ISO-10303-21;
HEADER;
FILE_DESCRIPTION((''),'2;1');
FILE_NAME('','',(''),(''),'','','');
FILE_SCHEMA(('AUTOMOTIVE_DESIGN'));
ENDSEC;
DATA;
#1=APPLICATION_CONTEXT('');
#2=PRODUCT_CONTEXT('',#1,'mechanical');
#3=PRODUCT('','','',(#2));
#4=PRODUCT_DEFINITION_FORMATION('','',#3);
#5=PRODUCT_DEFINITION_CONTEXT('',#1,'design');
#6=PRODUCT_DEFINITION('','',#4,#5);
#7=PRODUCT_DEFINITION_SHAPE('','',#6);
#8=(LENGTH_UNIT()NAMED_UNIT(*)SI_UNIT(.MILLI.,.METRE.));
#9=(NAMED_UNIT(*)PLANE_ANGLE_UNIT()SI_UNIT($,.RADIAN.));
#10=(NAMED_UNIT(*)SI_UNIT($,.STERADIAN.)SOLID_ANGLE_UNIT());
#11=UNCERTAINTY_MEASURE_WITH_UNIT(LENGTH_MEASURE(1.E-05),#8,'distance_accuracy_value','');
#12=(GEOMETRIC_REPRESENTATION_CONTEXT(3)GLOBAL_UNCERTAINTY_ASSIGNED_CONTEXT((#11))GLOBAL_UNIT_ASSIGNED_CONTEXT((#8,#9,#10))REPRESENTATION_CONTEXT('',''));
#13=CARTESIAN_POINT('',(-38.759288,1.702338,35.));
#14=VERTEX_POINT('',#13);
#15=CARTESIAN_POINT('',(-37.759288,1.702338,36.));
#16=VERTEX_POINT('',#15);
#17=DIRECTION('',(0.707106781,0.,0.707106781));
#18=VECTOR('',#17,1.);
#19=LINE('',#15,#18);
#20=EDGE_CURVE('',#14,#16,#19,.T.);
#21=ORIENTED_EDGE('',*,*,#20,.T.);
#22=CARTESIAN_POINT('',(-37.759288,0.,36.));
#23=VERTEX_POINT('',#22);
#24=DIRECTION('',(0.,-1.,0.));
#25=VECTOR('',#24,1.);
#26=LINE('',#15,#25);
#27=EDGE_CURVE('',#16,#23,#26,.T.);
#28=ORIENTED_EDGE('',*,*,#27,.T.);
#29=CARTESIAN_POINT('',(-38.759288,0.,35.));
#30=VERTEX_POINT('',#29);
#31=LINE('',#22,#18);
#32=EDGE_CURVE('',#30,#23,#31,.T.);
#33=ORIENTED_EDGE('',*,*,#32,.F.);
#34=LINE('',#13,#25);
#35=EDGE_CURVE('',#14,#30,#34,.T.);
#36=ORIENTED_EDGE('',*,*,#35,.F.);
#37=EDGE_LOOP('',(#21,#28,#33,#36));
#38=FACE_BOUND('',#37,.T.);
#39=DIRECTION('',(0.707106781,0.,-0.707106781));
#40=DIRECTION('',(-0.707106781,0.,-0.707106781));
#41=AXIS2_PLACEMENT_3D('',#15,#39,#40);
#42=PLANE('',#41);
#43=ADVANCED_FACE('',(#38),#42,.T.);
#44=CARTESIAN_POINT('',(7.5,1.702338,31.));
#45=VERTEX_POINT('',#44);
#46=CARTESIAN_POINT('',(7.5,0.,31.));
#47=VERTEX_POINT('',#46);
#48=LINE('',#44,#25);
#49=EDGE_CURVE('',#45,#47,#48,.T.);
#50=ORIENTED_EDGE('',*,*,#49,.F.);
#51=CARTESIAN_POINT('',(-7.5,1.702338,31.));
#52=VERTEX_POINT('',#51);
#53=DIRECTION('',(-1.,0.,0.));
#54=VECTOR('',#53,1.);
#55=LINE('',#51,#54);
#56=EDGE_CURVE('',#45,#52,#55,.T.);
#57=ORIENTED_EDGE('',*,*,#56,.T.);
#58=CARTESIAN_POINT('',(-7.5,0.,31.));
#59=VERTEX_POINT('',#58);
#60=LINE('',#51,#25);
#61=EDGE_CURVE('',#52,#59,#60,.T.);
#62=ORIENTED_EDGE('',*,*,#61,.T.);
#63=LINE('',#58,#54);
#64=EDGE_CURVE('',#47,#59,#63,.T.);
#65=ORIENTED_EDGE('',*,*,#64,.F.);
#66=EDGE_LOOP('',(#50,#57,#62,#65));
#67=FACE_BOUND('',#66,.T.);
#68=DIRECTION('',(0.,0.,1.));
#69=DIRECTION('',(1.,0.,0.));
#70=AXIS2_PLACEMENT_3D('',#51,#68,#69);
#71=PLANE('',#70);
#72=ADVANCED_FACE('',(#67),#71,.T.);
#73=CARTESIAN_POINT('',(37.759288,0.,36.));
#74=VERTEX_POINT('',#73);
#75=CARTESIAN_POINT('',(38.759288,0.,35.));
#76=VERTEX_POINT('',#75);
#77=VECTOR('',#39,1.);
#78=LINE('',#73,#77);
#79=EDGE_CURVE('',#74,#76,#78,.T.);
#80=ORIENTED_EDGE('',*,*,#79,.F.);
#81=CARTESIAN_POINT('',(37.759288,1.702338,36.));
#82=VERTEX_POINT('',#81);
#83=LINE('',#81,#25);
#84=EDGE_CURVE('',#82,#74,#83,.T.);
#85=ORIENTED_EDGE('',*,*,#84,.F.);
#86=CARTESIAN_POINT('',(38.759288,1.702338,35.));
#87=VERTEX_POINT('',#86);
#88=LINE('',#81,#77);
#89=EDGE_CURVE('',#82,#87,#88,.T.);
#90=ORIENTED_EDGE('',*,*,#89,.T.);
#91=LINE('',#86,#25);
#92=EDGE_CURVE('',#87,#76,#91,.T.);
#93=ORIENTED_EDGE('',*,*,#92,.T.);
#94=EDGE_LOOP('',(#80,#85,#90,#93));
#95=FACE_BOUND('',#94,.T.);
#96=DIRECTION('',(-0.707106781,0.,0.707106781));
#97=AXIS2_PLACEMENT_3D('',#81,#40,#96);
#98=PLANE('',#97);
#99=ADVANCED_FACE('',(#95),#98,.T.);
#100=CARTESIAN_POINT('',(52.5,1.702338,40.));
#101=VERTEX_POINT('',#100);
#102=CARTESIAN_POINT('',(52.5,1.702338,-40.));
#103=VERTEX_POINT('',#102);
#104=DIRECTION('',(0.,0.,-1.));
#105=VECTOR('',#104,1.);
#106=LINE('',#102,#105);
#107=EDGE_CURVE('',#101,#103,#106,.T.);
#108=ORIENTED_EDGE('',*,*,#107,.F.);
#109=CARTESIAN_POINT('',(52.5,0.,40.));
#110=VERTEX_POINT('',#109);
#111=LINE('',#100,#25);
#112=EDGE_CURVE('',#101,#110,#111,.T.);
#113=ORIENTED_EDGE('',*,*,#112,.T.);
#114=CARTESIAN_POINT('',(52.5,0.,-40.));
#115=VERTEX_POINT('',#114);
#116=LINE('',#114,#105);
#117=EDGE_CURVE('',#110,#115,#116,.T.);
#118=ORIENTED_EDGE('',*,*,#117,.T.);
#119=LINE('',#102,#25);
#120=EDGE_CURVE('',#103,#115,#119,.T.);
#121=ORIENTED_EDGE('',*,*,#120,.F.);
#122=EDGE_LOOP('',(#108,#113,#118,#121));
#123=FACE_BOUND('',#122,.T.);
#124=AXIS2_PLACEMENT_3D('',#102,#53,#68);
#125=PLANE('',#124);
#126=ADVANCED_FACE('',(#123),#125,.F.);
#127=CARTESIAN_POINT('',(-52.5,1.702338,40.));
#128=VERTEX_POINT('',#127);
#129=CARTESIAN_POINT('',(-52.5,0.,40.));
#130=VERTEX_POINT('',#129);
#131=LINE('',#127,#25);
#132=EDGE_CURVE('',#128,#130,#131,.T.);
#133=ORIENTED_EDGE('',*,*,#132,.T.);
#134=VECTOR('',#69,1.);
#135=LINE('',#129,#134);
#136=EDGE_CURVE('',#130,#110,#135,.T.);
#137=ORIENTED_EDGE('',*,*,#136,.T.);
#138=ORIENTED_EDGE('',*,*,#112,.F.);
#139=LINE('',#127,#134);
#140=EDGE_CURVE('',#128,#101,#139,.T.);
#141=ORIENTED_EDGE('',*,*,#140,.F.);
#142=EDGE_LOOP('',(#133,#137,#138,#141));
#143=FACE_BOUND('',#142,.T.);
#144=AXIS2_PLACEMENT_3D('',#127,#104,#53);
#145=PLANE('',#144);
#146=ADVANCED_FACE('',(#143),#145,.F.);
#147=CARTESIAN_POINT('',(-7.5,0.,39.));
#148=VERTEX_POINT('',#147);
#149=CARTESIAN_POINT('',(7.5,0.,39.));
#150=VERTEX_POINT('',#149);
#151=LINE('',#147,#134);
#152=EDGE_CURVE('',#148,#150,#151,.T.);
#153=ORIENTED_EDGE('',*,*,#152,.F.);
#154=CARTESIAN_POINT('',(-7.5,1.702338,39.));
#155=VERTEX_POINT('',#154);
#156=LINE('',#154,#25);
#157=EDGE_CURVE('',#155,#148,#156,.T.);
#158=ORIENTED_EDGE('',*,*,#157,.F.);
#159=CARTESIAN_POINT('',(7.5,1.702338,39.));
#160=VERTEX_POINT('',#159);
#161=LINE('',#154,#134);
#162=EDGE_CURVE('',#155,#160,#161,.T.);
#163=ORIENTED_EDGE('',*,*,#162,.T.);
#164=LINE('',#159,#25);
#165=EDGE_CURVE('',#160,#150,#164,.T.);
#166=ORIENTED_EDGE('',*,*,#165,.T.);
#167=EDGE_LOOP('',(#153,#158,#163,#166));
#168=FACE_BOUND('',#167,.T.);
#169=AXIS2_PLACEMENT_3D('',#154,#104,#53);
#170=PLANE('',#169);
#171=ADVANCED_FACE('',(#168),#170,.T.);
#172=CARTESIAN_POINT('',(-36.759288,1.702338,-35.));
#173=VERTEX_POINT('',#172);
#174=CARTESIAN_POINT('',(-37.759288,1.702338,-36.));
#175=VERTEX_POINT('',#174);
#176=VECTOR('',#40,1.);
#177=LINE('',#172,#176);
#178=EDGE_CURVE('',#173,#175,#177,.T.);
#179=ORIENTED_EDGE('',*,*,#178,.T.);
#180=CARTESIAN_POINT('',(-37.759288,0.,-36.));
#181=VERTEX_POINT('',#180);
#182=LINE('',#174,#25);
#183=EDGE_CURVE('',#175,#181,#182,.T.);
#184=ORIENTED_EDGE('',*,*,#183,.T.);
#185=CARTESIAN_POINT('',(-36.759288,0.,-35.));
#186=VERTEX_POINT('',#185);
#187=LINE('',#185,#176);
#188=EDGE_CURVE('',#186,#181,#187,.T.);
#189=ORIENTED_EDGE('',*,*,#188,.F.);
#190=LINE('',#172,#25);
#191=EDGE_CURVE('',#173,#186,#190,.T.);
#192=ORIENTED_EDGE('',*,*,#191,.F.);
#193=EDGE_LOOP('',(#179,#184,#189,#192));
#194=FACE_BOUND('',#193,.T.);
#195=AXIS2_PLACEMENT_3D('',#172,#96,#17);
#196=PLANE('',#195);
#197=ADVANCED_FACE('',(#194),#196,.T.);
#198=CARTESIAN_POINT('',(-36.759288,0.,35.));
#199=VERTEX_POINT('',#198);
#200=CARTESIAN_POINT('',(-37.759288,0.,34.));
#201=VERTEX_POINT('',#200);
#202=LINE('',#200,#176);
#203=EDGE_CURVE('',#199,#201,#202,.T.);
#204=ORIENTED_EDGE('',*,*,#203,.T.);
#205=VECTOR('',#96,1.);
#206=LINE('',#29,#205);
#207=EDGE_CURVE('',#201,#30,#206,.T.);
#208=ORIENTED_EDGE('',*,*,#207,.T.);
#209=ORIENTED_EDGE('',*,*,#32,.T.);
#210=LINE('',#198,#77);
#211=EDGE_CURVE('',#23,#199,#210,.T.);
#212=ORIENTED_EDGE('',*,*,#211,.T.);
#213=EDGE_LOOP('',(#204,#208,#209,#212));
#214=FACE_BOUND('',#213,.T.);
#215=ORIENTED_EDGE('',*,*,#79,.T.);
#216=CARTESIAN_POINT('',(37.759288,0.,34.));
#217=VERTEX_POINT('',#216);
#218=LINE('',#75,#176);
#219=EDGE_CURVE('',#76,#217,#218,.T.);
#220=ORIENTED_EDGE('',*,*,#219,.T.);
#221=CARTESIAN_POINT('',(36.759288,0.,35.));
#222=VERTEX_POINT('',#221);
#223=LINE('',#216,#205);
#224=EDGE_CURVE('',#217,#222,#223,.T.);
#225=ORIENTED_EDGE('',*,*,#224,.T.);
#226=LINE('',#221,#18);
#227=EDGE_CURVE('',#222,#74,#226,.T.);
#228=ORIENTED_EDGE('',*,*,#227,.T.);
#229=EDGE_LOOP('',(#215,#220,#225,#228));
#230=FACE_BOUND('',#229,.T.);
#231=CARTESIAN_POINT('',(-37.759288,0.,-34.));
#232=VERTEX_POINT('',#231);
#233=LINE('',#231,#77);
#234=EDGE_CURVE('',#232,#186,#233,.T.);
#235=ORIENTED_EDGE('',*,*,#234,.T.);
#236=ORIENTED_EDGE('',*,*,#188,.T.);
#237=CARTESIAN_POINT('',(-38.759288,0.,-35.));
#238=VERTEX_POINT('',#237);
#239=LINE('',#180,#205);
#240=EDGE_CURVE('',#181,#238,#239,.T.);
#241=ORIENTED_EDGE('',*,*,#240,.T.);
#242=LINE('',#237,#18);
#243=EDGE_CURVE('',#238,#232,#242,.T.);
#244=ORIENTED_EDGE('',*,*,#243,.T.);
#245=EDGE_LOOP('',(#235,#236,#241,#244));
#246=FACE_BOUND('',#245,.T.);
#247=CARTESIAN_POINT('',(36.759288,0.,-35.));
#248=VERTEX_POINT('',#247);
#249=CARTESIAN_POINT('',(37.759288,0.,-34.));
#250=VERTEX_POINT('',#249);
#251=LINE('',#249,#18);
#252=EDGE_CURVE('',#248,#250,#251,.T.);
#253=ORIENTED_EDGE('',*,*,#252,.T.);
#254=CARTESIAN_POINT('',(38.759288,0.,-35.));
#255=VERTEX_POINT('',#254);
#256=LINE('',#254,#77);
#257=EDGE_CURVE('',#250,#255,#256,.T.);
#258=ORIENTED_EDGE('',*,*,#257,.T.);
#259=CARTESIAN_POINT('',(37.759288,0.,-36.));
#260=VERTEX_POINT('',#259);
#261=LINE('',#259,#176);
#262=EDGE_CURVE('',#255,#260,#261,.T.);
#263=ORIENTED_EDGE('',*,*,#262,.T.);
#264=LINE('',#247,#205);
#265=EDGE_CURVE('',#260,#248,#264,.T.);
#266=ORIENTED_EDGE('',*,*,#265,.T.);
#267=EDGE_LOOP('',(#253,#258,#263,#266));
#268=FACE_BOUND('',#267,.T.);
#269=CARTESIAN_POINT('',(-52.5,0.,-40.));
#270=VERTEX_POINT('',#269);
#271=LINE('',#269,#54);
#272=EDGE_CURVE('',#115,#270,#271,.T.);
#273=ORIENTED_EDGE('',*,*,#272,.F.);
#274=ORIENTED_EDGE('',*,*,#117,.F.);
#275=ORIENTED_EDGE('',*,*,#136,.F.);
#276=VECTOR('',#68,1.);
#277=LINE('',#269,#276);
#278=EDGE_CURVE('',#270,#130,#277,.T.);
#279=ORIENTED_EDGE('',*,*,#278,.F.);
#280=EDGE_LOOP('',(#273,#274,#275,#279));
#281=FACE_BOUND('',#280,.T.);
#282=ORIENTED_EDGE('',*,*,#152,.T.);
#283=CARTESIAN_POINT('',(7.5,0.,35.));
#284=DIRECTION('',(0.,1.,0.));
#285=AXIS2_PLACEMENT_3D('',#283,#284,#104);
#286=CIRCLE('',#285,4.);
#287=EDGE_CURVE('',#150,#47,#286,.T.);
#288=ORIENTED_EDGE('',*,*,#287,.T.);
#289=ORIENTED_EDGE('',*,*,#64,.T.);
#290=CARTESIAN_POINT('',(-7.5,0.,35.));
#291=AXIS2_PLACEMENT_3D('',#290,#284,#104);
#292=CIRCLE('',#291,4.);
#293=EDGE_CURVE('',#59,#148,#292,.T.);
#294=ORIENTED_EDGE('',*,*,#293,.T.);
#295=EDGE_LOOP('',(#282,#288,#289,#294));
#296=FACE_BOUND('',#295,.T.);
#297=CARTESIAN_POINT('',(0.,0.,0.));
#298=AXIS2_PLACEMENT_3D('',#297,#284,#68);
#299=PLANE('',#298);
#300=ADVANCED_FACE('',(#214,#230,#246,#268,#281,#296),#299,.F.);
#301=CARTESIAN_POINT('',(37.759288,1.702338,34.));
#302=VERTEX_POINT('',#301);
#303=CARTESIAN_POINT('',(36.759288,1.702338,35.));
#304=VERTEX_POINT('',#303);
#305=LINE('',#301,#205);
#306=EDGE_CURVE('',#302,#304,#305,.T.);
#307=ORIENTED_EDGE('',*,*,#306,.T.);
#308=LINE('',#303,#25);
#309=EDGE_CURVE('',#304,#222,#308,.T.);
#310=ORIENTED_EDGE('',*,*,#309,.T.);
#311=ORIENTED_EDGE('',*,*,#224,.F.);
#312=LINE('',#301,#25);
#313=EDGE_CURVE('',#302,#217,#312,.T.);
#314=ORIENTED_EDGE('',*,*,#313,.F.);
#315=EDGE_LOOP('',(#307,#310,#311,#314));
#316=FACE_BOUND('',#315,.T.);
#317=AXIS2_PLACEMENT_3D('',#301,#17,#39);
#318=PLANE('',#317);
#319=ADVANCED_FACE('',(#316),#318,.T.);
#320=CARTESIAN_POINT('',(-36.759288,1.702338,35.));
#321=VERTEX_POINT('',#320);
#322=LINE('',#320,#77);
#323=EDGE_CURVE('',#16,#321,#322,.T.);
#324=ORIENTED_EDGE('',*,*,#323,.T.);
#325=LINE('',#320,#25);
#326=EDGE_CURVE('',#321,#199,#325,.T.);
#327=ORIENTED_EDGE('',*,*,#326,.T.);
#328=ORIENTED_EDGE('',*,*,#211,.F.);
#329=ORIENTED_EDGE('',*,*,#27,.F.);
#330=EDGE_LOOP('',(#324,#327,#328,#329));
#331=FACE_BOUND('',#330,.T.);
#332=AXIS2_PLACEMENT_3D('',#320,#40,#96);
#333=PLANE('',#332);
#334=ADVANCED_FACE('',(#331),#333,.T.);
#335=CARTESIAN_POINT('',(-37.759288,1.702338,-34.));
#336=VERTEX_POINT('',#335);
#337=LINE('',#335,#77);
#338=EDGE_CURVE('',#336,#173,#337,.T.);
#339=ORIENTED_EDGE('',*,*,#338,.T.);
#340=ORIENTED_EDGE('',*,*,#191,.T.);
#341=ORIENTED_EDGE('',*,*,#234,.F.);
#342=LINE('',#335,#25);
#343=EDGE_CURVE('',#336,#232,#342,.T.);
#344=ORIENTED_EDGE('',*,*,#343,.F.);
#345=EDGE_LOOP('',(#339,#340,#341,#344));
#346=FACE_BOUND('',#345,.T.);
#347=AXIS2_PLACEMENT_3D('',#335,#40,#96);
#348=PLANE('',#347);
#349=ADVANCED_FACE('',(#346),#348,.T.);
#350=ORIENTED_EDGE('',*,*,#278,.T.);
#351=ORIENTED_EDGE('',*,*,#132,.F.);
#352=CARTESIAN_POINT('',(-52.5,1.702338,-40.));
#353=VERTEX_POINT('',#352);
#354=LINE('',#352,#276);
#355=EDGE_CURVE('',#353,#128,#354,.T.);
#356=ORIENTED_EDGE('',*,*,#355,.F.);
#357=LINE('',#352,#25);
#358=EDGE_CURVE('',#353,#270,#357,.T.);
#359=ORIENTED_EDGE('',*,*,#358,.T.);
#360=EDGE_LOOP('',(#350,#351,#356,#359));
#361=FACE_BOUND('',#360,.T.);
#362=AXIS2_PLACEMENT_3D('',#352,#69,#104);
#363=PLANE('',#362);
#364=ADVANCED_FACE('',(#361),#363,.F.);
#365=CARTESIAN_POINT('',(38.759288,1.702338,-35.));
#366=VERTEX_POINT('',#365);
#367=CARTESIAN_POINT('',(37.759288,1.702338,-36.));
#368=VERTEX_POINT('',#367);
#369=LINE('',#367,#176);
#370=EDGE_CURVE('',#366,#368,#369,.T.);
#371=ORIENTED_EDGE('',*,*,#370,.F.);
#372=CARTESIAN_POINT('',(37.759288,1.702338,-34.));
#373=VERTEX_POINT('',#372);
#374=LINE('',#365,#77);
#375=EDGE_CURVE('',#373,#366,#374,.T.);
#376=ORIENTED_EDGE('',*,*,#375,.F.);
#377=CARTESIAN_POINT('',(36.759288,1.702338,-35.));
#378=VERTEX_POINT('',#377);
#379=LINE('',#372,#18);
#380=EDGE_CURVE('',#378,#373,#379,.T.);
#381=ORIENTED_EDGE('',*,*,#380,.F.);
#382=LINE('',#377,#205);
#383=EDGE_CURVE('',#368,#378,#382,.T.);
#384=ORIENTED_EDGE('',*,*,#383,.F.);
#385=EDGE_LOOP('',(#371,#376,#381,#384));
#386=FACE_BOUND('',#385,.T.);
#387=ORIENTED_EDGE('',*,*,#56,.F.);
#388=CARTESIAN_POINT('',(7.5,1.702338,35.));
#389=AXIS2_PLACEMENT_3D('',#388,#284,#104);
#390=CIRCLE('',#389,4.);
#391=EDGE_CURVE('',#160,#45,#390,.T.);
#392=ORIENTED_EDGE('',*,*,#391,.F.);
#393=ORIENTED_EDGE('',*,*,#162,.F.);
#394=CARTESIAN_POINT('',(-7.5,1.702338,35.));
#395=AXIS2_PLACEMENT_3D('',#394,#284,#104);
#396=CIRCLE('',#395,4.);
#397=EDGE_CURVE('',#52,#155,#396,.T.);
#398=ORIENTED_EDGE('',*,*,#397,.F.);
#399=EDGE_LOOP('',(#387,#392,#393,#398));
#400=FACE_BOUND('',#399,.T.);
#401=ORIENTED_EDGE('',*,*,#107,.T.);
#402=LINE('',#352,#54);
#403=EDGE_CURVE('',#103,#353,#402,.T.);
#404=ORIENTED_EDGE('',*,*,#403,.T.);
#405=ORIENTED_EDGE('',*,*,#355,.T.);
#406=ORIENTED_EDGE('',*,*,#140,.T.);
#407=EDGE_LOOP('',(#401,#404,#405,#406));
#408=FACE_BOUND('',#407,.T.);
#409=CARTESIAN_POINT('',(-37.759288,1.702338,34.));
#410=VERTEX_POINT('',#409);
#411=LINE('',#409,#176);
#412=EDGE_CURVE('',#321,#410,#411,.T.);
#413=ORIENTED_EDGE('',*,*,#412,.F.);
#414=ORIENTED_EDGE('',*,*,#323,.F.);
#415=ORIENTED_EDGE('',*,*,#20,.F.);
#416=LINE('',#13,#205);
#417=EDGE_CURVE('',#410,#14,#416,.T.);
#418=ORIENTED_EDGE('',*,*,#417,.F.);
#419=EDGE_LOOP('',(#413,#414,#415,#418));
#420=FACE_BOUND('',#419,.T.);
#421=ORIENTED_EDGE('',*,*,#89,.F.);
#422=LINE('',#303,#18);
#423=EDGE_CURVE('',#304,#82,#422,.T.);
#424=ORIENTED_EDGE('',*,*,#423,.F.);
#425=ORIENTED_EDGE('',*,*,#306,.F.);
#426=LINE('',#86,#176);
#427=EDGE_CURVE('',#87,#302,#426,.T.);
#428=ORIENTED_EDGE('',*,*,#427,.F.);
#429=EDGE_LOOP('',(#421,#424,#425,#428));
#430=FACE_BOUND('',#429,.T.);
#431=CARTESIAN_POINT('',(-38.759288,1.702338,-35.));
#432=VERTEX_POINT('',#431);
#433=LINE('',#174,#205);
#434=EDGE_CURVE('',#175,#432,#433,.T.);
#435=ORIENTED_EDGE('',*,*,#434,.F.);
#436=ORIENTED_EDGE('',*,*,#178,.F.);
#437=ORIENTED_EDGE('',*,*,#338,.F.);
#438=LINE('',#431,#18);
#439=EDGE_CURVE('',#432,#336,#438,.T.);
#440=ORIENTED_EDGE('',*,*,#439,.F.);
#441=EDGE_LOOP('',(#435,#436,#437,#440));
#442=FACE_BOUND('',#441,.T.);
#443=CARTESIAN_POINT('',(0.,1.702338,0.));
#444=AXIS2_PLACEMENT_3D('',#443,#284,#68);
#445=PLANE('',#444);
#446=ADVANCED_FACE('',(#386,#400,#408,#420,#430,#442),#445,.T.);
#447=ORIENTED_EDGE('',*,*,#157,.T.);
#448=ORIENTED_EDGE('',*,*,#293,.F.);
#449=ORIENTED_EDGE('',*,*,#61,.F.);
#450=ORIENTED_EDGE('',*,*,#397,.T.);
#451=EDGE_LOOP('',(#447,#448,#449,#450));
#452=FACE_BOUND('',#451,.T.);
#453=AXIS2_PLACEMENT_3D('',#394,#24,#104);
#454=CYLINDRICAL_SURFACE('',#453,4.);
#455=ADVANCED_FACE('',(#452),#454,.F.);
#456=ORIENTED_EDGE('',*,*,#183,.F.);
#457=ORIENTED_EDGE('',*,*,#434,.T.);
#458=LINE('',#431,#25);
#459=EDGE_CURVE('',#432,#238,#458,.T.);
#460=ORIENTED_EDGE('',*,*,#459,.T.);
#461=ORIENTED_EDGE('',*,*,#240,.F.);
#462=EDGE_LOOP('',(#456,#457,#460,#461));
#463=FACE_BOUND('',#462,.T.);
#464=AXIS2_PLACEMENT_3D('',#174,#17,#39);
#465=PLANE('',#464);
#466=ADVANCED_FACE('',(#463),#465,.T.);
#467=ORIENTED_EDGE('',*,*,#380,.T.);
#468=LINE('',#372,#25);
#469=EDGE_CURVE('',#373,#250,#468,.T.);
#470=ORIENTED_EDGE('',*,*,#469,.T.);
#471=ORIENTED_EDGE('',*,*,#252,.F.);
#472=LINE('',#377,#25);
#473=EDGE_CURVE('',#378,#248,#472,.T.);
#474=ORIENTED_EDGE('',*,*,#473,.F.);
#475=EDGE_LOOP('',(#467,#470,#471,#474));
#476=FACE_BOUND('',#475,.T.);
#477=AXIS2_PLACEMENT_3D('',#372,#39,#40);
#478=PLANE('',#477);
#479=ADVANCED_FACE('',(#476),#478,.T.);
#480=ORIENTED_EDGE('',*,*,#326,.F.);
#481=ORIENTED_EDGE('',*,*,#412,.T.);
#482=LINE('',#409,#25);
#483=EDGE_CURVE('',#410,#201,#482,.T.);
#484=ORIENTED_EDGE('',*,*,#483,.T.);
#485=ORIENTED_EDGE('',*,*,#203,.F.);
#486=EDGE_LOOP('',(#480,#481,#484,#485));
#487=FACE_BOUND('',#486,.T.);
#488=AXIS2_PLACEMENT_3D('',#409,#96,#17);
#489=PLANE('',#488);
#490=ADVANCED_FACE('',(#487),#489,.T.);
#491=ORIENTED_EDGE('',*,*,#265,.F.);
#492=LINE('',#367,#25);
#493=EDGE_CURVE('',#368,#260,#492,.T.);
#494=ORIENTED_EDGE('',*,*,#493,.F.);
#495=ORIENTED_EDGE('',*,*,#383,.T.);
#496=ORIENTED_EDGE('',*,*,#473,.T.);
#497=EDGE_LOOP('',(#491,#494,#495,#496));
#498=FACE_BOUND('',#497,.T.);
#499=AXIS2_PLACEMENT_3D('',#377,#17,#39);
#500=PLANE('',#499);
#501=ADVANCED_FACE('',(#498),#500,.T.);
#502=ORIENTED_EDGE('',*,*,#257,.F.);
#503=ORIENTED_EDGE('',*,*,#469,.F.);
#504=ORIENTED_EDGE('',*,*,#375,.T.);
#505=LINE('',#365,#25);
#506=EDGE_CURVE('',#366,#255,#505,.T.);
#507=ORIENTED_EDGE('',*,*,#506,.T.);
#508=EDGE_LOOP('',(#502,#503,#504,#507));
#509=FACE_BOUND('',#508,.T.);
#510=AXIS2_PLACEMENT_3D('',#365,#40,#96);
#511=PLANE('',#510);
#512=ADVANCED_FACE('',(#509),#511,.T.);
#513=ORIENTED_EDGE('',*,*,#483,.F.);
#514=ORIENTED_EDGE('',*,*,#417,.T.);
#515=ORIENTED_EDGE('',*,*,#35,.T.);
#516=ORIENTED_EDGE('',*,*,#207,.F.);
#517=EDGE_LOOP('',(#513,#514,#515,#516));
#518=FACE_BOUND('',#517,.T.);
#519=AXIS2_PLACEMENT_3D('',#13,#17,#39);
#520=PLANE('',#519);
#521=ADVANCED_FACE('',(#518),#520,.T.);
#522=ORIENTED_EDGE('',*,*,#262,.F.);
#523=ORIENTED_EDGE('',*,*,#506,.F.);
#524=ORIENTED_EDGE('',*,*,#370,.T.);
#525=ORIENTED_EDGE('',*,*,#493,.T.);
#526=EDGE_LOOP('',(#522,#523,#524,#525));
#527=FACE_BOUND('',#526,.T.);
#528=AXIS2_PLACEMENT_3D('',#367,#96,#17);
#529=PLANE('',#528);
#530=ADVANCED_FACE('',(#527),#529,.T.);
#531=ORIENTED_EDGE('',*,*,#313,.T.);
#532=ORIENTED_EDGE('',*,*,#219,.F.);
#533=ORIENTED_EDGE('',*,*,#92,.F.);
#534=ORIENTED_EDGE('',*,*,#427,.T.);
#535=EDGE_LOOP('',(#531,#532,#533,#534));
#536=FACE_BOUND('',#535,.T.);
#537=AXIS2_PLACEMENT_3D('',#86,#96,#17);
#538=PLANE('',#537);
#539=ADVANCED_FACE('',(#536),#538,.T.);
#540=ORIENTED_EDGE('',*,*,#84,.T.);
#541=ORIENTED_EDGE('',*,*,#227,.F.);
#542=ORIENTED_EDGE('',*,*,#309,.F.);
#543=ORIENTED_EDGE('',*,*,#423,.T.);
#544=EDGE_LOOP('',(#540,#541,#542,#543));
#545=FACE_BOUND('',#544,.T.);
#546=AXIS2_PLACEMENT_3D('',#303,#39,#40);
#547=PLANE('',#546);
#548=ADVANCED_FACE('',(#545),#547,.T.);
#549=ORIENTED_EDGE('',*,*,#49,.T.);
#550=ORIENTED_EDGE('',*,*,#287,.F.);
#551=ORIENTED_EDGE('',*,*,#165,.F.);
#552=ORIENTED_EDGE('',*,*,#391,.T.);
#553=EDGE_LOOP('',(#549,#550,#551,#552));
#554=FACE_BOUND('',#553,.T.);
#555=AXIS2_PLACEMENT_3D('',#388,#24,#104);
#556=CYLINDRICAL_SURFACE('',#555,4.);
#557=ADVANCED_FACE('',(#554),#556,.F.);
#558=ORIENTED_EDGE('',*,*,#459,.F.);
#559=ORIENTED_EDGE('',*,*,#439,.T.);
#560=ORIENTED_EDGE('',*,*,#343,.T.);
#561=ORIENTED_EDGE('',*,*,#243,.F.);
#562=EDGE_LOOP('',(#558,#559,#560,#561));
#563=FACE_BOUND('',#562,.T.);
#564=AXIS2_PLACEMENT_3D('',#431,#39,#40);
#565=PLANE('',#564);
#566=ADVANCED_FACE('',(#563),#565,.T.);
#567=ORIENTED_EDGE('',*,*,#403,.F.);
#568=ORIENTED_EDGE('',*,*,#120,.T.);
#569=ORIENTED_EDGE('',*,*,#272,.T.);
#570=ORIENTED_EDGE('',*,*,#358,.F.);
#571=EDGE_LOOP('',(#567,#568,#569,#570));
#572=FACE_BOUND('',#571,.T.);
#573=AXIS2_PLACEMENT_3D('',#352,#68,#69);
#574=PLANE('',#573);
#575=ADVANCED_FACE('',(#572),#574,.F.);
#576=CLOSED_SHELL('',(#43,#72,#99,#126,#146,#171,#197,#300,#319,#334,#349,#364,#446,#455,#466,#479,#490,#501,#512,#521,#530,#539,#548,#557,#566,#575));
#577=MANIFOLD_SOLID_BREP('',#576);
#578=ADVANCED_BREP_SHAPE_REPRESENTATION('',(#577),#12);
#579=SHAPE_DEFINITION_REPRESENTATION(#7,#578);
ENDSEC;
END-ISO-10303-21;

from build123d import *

# Parameters (mm, degrees)
SKETCH_1_W      = 105
SKETCH_1_H      = 80
EXTRUDE_1_DEPTH = 1.702337868


with BuildPart() as part:
    # 草图1 → 凸台-拉伸1 (new body)
    with BuildSketch(Plane(origin=(0, 0, 0), x_dir=(1, 0, 0), z_dir=(0, 1, 0))):
        Rectangle(SKETCH_1_W, SKETCH_1_H)
        Polygon((38.759288178, 35), (37.759288178, 34), (36.759288178, 35), (37.759288178, 36), align=None, mode=Mode.SUBTRACT)
        Polygon((-37.759288178, 34), (-36.759288178, 35), (-37.759288178, 36), (-38.759288178, 35), align=None, mode=Mode.SUBTRACT)
        Polygon((37.759288178, -36), (38.759288178, -35), (37.759288178, -34), (36.759288178, -35), align=None, mode=Mode.SUBTRACT)
        Polygon((-38.759288178, -35), (-37.759288178, -34), (-36.759288178, -35), (-37.759288178, -36), align=None, mode=Mode.SUBTRACT)
        with BuildLine():
            Line((-7.5, -39), (7.5, -39))
            ThreePointArc((7.5, -39), (11.5, -35), (7.5, -31))
            Line((7.5, -31), (-7.5, -31))
            ThreePointArc((-7.5, -31), (-11.5, -35), (-7.5, -39))
        make_face(mode=Mode.SUBTRACT)
    extrude(amount=EXTRUDE_1_DEPTH)


solid = part.part
